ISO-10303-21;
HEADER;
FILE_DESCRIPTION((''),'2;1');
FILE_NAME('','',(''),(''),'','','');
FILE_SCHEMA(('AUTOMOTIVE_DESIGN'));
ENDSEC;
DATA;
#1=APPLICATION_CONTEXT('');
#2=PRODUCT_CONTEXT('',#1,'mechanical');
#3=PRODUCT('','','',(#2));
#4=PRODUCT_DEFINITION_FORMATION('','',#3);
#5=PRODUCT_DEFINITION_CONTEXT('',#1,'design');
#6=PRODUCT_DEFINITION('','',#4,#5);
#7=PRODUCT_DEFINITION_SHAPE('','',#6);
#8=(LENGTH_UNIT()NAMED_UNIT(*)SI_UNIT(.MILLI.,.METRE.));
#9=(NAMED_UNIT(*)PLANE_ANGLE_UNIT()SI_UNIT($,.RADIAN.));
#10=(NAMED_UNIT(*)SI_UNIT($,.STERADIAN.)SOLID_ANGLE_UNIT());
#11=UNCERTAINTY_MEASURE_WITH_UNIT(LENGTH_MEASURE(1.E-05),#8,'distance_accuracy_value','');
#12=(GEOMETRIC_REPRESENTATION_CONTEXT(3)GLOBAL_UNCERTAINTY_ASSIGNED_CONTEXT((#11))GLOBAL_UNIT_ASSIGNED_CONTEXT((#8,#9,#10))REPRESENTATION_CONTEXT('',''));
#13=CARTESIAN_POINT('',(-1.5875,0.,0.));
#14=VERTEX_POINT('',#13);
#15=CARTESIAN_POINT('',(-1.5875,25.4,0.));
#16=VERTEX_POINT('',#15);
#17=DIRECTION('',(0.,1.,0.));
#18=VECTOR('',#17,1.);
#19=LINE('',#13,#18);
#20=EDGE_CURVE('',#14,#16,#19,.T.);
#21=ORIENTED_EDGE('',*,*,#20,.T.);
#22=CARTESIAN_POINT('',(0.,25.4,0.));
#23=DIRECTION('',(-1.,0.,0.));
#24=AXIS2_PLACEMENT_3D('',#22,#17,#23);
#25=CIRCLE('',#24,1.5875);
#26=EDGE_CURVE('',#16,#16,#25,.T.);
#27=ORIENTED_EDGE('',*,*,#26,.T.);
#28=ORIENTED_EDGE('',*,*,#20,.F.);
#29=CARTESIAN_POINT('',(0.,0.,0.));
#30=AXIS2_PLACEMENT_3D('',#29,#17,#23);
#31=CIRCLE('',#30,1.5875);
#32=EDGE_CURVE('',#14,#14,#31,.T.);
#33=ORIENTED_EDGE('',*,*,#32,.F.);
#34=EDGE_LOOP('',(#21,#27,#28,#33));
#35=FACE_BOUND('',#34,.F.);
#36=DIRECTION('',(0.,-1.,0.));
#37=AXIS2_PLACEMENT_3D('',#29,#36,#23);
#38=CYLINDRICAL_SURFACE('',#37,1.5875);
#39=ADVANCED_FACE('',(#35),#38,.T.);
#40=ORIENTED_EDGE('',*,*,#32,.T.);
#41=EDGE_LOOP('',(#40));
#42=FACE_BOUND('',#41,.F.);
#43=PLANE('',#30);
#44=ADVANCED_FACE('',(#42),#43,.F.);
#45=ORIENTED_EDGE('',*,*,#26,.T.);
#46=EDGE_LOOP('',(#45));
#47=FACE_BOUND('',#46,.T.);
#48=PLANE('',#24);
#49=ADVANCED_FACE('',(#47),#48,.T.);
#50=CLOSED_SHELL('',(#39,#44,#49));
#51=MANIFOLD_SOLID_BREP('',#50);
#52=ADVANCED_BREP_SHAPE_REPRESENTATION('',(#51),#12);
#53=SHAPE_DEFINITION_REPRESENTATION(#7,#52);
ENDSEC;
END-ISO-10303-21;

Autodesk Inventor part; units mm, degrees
ref_plane "YZ Plane" through (0, 0, 0) normal (1, 0, 0) x (0, 1, 0)
ref_plane "XZ Plane" through (0, 0, 0) normal (0, 1, 0) x (-1, 0, 0)
ref_plane "XY Plane" through (0, 0, 0) normal (0, 0, 1) x (1, 0, 0)
sketch "Sketch1" plane through (0, 0, 0) normal (0, 1, 0) x (-1, 0, 0)
  circle A0 centre (0, 0) radius 1.5875
  dimension "d0" = 3.175
extrude "Extrusion1" add sketch "Sketch1" along normal blind 25.4
sketch "Sketch2" plane through (0, 25.4, 0) normal (0, 1, 0) x (1, 0, 0)
  circle A0 centre (0, 0) radius 1.5875 projected
properties part number "Heater"
